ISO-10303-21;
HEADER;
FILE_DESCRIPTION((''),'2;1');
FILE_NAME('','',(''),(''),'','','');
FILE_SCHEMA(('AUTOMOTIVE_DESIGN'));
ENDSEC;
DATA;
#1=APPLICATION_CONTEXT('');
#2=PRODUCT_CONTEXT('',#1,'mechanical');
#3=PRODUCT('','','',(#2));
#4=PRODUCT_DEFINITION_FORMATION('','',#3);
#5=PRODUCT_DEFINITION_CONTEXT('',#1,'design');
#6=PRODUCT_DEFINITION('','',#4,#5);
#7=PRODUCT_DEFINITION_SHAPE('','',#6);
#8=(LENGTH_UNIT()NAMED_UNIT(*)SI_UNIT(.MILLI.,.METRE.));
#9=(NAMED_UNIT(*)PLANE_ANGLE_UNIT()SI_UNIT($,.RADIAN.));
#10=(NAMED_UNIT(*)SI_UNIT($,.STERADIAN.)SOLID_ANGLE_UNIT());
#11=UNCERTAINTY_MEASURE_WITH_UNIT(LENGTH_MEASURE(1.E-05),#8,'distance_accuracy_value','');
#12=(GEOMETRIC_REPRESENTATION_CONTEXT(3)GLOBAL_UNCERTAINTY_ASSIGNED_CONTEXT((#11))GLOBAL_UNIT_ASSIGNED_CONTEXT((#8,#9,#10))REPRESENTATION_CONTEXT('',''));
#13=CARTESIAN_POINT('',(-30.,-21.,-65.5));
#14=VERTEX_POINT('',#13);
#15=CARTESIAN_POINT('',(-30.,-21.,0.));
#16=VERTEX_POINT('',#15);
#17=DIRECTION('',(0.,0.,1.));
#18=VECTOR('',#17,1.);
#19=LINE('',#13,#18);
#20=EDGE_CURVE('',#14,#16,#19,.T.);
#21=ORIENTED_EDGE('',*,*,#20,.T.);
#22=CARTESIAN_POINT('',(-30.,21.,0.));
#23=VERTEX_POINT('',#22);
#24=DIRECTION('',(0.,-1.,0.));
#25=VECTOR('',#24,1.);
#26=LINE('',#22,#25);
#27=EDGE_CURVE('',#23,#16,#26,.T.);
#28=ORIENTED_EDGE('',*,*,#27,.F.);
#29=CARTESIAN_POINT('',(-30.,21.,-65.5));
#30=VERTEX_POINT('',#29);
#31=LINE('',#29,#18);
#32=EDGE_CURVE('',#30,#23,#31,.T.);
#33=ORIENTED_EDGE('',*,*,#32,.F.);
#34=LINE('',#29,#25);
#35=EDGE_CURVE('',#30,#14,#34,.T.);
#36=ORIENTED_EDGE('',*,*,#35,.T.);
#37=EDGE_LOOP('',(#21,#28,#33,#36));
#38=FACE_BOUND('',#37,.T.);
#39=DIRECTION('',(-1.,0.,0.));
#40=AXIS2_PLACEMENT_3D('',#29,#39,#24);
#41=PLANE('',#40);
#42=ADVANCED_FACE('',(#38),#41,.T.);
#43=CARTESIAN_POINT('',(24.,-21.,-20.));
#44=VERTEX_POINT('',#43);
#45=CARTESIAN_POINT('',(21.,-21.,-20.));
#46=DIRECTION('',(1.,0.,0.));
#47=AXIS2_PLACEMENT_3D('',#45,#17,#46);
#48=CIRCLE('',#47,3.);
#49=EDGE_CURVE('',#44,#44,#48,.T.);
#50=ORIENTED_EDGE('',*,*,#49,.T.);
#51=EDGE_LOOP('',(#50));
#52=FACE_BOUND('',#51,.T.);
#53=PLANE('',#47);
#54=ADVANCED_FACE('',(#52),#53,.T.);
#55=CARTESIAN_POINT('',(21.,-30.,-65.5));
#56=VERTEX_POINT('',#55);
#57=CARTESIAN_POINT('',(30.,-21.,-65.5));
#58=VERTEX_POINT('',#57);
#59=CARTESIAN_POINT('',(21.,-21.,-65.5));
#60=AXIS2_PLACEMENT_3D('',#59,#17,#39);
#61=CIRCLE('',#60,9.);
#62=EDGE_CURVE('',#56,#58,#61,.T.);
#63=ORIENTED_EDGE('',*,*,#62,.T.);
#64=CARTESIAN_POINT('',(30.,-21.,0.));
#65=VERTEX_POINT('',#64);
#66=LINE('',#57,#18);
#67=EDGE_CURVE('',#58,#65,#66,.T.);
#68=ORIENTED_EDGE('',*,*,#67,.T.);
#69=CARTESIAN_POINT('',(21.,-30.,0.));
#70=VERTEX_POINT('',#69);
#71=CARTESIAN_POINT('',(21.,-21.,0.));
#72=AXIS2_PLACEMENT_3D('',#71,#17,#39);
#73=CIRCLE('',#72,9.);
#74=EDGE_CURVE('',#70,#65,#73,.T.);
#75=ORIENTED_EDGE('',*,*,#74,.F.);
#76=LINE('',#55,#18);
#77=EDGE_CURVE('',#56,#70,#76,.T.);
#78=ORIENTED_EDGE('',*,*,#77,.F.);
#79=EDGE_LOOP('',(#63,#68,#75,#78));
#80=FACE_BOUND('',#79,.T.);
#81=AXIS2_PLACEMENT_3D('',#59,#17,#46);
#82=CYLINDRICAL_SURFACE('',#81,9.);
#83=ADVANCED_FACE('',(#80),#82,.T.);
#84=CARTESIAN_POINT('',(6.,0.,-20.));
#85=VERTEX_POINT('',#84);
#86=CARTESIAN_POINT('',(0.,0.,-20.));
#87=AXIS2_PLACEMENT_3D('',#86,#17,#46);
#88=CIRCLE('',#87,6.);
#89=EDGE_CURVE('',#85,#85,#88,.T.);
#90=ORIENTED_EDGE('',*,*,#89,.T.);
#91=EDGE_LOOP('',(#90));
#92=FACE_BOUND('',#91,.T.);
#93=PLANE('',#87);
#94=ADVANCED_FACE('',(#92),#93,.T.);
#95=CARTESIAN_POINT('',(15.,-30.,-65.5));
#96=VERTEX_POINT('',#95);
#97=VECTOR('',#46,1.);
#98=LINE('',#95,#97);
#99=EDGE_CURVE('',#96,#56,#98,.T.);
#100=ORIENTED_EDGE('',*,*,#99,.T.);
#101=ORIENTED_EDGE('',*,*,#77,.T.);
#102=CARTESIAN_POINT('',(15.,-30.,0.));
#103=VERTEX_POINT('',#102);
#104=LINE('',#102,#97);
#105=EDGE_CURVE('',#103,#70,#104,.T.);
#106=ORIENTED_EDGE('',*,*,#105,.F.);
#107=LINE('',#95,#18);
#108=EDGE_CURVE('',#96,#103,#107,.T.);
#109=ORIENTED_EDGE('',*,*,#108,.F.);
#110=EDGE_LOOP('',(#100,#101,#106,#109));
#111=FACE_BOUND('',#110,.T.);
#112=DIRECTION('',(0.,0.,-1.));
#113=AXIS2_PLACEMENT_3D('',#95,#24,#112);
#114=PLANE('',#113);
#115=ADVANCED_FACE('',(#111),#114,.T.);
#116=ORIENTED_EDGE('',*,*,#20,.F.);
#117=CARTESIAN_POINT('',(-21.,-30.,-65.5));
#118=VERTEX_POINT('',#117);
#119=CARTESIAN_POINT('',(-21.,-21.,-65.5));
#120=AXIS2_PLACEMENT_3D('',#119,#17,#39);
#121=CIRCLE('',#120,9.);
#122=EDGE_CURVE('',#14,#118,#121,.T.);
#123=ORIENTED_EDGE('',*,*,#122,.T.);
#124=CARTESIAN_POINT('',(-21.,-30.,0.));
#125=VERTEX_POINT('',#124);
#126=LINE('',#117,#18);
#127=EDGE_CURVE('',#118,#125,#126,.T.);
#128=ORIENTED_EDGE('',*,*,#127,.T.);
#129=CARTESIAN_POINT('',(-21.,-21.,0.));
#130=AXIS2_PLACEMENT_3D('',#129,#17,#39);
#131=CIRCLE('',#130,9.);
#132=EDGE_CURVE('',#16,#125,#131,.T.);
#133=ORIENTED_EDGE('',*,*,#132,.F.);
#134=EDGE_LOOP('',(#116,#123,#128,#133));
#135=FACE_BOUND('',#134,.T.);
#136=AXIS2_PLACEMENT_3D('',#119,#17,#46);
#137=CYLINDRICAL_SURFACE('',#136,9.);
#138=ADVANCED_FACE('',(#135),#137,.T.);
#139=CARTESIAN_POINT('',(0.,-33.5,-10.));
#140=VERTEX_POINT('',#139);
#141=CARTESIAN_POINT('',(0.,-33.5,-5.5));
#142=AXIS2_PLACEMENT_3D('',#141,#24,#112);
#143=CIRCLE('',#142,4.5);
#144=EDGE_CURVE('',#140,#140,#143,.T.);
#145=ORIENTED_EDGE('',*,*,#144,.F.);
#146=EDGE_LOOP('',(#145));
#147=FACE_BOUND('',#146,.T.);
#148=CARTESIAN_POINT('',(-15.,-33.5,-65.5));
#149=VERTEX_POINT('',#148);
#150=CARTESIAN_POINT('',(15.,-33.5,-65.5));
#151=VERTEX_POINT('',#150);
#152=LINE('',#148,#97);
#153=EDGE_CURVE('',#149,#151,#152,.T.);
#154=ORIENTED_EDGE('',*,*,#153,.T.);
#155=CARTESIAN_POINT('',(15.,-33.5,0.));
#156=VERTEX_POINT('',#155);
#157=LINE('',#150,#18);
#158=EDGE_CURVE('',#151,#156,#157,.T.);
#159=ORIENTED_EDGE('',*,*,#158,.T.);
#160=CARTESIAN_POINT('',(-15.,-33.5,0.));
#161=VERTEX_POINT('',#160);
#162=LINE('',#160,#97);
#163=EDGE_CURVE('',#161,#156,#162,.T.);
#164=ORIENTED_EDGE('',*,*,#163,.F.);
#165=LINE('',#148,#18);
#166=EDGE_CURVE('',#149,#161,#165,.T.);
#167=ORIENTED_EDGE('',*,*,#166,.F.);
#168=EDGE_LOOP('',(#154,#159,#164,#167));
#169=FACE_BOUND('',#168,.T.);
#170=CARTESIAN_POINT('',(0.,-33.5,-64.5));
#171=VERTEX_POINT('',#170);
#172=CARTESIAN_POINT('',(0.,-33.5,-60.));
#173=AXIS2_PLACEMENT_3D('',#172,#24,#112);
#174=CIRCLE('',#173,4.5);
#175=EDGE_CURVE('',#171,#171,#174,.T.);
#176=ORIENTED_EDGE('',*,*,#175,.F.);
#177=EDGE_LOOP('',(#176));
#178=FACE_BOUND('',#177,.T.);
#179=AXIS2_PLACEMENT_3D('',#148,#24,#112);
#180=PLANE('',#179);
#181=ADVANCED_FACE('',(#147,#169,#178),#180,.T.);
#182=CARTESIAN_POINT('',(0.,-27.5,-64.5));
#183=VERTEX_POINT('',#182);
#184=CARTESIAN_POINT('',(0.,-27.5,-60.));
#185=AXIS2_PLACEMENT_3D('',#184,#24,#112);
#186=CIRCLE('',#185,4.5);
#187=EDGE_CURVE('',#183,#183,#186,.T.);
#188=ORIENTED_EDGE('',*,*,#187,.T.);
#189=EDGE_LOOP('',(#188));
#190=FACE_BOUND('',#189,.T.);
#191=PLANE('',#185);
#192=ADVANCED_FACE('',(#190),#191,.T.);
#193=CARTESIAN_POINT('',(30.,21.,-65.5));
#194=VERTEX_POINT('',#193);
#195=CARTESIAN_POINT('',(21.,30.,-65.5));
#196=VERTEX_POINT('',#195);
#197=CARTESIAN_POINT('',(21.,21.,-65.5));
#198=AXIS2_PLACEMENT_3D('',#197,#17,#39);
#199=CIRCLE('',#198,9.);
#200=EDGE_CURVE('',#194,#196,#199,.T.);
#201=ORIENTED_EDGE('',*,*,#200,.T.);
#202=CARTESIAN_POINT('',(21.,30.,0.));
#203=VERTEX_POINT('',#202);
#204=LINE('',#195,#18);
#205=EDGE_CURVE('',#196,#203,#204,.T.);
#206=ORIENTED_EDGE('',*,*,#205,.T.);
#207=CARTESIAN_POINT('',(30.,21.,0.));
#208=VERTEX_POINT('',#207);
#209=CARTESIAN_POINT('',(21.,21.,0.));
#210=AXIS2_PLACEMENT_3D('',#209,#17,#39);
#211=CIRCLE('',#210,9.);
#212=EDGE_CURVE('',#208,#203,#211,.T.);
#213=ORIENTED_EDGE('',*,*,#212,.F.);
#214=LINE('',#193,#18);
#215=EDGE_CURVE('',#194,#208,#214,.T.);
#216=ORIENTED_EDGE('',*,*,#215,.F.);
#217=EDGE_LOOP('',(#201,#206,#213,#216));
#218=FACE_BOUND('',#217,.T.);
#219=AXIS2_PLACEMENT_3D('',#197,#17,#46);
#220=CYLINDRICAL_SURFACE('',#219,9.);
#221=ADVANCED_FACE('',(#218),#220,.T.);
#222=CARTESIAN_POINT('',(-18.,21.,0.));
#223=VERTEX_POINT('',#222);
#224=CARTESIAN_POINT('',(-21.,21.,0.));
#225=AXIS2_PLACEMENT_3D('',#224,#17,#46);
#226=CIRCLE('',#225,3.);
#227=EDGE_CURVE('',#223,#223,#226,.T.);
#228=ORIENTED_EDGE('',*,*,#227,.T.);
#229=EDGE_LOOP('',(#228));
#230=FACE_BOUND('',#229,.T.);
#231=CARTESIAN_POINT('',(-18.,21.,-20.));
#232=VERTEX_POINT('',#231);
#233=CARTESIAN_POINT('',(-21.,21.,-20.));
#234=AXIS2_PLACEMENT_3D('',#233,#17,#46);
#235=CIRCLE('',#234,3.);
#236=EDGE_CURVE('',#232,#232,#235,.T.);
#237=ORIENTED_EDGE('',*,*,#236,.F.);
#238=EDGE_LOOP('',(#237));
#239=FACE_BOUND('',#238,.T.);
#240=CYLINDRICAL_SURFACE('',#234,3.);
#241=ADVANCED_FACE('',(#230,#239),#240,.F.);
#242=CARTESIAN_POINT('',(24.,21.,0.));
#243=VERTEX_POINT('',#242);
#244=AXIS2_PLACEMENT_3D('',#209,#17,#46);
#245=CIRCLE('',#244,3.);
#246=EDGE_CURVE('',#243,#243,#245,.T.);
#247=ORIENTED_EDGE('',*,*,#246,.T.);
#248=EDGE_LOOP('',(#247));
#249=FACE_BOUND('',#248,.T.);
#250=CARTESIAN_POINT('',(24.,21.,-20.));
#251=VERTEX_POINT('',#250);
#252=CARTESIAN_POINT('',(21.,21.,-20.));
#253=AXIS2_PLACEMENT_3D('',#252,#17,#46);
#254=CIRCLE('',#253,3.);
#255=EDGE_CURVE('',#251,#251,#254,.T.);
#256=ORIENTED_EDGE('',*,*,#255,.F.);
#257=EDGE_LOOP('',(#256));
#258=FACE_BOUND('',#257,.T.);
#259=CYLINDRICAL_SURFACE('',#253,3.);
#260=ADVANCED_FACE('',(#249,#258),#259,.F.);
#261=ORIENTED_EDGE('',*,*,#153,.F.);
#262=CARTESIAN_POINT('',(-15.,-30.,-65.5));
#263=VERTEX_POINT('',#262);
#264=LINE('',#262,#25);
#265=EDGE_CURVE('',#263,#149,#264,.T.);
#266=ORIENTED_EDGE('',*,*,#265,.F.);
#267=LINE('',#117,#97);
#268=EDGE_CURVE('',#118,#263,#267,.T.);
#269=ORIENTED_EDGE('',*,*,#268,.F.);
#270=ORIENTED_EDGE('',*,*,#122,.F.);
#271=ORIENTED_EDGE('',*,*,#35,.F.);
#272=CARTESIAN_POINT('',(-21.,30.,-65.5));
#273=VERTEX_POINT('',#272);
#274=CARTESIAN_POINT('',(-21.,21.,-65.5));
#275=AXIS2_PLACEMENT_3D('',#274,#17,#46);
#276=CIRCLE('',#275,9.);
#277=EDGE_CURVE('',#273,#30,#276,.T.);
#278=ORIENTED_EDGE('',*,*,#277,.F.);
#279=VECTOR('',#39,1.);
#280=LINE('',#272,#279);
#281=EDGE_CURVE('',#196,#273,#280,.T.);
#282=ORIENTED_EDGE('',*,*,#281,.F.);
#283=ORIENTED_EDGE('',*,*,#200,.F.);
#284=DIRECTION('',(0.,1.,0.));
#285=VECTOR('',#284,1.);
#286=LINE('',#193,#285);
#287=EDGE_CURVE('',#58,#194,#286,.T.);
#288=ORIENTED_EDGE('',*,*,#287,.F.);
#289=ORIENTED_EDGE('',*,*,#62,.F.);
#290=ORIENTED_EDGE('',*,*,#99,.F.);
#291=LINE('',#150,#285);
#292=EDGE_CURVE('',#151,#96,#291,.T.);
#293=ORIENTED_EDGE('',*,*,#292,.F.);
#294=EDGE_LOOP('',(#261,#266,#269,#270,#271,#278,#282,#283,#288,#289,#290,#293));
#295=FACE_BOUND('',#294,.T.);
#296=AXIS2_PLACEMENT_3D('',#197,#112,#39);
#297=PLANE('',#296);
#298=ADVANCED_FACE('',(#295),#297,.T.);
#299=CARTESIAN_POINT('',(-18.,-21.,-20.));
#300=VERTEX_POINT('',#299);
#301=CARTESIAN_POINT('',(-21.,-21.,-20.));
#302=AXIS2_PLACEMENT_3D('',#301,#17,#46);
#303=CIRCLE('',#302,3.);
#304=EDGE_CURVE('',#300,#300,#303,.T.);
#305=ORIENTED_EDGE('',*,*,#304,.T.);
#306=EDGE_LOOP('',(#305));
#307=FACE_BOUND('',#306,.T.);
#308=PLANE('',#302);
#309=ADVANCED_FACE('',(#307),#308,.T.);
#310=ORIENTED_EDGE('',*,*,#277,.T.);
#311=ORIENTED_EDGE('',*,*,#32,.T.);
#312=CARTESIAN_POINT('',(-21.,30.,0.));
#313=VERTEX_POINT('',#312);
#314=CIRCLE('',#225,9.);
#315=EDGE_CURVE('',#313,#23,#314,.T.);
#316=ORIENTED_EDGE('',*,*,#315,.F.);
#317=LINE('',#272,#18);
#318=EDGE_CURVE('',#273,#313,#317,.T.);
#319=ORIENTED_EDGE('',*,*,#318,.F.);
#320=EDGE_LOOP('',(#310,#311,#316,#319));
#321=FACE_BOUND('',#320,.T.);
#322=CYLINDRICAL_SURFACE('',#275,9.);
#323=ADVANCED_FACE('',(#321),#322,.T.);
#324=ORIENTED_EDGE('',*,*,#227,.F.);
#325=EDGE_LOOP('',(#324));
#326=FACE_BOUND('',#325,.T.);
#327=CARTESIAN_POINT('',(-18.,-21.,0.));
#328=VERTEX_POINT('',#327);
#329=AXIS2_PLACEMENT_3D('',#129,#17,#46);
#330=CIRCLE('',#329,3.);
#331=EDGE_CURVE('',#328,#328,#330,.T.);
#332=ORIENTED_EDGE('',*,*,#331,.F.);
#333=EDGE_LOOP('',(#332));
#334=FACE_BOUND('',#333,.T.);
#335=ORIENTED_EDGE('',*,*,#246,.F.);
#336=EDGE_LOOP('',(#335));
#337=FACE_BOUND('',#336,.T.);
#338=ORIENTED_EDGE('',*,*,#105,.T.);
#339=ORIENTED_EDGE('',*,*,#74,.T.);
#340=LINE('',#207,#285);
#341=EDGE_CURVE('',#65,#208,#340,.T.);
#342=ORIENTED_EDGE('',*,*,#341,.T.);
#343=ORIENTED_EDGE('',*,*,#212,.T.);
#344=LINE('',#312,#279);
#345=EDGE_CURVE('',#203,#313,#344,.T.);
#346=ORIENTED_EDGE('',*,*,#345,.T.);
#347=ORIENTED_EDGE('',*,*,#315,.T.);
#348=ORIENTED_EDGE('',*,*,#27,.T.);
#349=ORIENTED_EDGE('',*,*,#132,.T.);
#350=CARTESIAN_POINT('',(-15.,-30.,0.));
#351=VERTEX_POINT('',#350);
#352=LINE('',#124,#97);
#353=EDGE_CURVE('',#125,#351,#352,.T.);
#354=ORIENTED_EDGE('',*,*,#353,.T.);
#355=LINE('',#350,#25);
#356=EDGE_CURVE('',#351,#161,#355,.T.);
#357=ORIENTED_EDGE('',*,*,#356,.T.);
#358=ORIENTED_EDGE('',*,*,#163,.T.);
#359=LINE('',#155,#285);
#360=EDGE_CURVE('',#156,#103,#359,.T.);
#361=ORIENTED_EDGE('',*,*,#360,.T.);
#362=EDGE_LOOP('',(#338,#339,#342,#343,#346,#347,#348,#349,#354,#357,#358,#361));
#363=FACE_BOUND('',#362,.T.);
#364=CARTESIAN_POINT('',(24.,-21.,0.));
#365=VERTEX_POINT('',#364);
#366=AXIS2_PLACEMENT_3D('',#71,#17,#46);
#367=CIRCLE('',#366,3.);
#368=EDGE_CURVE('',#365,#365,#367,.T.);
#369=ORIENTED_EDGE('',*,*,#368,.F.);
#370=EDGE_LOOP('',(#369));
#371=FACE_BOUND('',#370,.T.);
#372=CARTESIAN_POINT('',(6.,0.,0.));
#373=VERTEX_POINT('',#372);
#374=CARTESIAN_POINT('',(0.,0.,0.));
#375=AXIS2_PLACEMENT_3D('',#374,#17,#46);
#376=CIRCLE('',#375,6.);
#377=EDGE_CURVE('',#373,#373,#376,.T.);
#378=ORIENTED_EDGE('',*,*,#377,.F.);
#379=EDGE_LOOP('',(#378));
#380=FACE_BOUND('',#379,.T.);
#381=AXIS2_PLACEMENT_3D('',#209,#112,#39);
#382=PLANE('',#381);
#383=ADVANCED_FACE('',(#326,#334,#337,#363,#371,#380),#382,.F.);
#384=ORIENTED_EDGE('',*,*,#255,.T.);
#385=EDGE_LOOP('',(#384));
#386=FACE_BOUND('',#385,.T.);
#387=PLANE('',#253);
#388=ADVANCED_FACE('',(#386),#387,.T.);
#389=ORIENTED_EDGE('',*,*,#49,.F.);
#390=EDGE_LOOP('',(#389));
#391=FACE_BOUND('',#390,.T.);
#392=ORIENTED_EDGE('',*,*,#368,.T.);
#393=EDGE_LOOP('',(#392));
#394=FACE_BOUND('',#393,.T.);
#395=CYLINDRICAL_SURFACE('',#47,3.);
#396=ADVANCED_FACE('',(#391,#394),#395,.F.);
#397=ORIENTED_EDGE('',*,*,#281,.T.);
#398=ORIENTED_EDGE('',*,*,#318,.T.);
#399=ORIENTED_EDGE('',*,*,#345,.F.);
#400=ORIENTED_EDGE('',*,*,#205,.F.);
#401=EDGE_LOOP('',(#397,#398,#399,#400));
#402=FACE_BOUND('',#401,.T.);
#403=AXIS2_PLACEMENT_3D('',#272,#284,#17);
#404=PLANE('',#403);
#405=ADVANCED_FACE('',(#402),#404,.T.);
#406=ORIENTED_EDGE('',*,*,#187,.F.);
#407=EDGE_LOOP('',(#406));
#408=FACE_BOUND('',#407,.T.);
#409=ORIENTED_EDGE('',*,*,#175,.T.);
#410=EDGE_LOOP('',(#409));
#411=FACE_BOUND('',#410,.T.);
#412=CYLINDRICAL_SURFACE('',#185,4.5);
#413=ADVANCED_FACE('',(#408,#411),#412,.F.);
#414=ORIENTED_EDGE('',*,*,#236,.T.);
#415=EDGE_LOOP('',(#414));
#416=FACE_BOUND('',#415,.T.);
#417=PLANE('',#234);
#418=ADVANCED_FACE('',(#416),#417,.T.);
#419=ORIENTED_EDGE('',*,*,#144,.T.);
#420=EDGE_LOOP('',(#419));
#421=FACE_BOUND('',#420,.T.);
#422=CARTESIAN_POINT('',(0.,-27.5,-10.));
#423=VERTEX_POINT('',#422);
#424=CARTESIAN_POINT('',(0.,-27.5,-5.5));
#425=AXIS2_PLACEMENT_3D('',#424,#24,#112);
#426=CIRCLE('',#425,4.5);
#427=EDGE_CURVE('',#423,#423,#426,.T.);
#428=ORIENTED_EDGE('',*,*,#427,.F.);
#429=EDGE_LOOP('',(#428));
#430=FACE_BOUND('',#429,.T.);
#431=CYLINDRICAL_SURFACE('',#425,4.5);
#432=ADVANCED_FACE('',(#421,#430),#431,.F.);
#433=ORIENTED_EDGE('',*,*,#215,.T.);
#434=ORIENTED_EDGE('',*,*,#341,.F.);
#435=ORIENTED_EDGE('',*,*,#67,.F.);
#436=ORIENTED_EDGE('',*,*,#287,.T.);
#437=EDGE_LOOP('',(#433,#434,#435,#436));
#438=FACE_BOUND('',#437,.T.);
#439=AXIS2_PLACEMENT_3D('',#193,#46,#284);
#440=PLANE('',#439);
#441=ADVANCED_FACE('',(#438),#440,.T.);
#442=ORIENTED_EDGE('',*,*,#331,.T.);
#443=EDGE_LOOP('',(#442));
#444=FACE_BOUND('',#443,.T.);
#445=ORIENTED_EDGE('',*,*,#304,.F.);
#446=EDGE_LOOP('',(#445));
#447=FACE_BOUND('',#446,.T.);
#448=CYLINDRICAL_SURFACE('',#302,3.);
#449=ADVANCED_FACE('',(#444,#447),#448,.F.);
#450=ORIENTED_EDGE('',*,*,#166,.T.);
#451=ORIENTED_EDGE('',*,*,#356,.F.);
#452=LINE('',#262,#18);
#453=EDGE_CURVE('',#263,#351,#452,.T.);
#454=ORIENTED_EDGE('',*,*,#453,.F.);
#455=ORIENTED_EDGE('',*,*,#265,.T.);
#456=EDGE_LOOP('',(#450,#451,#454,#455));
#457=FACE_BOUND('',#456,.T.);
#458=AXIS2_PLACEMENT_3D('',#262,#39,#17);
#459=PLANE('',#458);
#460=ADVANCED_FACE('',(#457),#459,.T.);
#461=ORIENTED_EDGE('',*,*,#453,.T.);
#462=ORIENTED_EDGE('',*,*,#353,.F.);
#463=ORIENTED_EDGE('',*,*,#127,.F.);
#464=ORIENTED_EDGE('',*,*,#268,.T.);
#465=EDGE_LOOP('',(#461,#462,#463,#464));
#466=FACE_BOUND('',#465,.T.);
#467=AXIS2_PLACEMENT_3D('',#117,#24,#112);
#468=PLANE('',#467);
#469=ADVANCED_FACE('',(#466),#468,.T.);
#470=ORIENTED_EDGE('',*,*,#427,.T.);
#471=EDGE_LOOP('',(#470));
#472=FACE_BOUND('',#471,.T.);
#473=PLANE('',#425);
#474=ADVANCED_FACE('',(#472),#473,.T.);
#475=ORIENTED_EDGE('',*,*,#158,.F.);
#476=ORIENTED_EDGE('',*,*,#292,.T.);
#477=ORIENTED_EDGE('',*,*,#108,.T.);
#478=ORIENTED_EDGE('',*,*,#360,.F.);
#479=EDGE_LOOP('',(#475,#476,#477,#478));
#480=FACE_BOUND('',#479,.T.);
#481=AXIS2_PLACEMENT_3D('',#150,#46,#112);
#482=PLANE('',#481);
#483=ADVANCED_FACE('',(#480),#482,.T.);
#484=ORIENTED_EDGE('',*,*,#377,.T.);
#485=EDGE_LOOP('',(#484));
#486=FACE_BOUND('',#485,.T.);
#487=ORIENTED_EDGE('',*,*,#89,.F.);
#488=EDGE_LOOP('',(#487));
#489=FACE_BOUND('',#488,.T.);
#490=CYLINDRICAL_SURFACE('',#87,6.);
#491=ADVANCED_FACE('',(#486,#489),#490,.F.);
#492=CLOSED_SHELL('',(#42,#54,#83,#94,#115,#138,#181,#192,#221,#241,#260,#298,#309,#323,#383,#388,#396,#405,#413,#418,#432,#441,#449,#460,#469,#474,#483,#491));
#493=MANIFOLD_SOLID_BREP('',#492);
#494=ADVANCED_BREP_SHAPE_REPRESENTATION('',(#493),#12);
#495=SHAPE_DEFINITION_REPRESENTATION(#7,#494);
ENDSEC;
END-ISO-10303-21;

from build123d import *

# Parameters (mm, degrees)
SALIENTE_EXTRUIR1_DEPTH = 65.5
CROQUIS2_R              = 3
CORTAR_EXTRUIR1_DEPTH   = 20
CROQUIS3_R              = 6
CORTAR_EXTRUIR2_DEPTH   = 20
CROQUIS4_R              = 4.5
CORTAR_EXTRUIR3_DEPTH   = 6


with BuildPart() as part:
    # Croquis1 → Saliente-Extruir1 (new body)
    with BuildSketch(Plane.XY):
        with BuildLine():
            Line((-15, -30), (-15, -33.5))
            Line((-15, -33.5), (15, -33.5))
            Line((15, -33.5), (15, -30))
            Line((15, -30), (21, -30))
            ThreePointArc((21, -30), (27.363961031, -27.363961031), (30, -21))
            Line((30, -21), (30, 21))
            ThreePointArc((30, 21), (27.363961031, 27.363961031), (21, 30))
            Line((21, 30), (-21, 30))
            ThreePointArc((-21, 30), (-27.363961031, 27.363961031), (-30, 21))
            Line((-30, 21), (-30, -21))
            ThreePointArc((-30, -21), (-27.363961031, -27.363961031), (-21, -30))
            Line((-21, -30), (-15, -30))
        make_face()
    extrude(amount=-SALIENTE_EXTRUIR1_DEPTH)

    # Croquis2 → Cortar-Extruir1 (cut)
    with BuildSketch(Plane.XY):
        with Locations((-21, 21)):
            Circle(CROQUIS2_R)
        with Locations((21, 21)):
            Circle(CROQUIS2_R)
        with Locations((21, -21)):
            Circle(CROQUIS2_R)
        with Locations((-21, -21)):
            Circle(CROQUIS2_R)
    extrude(amount=-CORTAR_EXTRUIR1_DEPTH, mode=Mode.SUBTRACT)

    # Croquis3 → Cortar-Extruir2 (cut)
    with BuildSketch(Plane.XY):
        Circle(CROQUIS3_R)
    extrude(amount=-CORTAR_EXTRUIR2_DEPTH, mode=Mode.SUBTRACT)

    # Croquis4 → Cortar-Extruir3 (cut)
    with BuildSketch(Plane.XZ.offset(33.5)):
        with Locations(Location((0, -5.5, 0), (0, 0, 270))):
            Circle(CROQUIS4_R)
        with Locations(Location((0, -60, 0), (0, 0, 270))):
            Circle(CROQUIS4_R)
    extrude(amount=-CORTAR_EXTRUIR3_DEPTH, mode=Mode.SUBTRACT)


solid = part.part
